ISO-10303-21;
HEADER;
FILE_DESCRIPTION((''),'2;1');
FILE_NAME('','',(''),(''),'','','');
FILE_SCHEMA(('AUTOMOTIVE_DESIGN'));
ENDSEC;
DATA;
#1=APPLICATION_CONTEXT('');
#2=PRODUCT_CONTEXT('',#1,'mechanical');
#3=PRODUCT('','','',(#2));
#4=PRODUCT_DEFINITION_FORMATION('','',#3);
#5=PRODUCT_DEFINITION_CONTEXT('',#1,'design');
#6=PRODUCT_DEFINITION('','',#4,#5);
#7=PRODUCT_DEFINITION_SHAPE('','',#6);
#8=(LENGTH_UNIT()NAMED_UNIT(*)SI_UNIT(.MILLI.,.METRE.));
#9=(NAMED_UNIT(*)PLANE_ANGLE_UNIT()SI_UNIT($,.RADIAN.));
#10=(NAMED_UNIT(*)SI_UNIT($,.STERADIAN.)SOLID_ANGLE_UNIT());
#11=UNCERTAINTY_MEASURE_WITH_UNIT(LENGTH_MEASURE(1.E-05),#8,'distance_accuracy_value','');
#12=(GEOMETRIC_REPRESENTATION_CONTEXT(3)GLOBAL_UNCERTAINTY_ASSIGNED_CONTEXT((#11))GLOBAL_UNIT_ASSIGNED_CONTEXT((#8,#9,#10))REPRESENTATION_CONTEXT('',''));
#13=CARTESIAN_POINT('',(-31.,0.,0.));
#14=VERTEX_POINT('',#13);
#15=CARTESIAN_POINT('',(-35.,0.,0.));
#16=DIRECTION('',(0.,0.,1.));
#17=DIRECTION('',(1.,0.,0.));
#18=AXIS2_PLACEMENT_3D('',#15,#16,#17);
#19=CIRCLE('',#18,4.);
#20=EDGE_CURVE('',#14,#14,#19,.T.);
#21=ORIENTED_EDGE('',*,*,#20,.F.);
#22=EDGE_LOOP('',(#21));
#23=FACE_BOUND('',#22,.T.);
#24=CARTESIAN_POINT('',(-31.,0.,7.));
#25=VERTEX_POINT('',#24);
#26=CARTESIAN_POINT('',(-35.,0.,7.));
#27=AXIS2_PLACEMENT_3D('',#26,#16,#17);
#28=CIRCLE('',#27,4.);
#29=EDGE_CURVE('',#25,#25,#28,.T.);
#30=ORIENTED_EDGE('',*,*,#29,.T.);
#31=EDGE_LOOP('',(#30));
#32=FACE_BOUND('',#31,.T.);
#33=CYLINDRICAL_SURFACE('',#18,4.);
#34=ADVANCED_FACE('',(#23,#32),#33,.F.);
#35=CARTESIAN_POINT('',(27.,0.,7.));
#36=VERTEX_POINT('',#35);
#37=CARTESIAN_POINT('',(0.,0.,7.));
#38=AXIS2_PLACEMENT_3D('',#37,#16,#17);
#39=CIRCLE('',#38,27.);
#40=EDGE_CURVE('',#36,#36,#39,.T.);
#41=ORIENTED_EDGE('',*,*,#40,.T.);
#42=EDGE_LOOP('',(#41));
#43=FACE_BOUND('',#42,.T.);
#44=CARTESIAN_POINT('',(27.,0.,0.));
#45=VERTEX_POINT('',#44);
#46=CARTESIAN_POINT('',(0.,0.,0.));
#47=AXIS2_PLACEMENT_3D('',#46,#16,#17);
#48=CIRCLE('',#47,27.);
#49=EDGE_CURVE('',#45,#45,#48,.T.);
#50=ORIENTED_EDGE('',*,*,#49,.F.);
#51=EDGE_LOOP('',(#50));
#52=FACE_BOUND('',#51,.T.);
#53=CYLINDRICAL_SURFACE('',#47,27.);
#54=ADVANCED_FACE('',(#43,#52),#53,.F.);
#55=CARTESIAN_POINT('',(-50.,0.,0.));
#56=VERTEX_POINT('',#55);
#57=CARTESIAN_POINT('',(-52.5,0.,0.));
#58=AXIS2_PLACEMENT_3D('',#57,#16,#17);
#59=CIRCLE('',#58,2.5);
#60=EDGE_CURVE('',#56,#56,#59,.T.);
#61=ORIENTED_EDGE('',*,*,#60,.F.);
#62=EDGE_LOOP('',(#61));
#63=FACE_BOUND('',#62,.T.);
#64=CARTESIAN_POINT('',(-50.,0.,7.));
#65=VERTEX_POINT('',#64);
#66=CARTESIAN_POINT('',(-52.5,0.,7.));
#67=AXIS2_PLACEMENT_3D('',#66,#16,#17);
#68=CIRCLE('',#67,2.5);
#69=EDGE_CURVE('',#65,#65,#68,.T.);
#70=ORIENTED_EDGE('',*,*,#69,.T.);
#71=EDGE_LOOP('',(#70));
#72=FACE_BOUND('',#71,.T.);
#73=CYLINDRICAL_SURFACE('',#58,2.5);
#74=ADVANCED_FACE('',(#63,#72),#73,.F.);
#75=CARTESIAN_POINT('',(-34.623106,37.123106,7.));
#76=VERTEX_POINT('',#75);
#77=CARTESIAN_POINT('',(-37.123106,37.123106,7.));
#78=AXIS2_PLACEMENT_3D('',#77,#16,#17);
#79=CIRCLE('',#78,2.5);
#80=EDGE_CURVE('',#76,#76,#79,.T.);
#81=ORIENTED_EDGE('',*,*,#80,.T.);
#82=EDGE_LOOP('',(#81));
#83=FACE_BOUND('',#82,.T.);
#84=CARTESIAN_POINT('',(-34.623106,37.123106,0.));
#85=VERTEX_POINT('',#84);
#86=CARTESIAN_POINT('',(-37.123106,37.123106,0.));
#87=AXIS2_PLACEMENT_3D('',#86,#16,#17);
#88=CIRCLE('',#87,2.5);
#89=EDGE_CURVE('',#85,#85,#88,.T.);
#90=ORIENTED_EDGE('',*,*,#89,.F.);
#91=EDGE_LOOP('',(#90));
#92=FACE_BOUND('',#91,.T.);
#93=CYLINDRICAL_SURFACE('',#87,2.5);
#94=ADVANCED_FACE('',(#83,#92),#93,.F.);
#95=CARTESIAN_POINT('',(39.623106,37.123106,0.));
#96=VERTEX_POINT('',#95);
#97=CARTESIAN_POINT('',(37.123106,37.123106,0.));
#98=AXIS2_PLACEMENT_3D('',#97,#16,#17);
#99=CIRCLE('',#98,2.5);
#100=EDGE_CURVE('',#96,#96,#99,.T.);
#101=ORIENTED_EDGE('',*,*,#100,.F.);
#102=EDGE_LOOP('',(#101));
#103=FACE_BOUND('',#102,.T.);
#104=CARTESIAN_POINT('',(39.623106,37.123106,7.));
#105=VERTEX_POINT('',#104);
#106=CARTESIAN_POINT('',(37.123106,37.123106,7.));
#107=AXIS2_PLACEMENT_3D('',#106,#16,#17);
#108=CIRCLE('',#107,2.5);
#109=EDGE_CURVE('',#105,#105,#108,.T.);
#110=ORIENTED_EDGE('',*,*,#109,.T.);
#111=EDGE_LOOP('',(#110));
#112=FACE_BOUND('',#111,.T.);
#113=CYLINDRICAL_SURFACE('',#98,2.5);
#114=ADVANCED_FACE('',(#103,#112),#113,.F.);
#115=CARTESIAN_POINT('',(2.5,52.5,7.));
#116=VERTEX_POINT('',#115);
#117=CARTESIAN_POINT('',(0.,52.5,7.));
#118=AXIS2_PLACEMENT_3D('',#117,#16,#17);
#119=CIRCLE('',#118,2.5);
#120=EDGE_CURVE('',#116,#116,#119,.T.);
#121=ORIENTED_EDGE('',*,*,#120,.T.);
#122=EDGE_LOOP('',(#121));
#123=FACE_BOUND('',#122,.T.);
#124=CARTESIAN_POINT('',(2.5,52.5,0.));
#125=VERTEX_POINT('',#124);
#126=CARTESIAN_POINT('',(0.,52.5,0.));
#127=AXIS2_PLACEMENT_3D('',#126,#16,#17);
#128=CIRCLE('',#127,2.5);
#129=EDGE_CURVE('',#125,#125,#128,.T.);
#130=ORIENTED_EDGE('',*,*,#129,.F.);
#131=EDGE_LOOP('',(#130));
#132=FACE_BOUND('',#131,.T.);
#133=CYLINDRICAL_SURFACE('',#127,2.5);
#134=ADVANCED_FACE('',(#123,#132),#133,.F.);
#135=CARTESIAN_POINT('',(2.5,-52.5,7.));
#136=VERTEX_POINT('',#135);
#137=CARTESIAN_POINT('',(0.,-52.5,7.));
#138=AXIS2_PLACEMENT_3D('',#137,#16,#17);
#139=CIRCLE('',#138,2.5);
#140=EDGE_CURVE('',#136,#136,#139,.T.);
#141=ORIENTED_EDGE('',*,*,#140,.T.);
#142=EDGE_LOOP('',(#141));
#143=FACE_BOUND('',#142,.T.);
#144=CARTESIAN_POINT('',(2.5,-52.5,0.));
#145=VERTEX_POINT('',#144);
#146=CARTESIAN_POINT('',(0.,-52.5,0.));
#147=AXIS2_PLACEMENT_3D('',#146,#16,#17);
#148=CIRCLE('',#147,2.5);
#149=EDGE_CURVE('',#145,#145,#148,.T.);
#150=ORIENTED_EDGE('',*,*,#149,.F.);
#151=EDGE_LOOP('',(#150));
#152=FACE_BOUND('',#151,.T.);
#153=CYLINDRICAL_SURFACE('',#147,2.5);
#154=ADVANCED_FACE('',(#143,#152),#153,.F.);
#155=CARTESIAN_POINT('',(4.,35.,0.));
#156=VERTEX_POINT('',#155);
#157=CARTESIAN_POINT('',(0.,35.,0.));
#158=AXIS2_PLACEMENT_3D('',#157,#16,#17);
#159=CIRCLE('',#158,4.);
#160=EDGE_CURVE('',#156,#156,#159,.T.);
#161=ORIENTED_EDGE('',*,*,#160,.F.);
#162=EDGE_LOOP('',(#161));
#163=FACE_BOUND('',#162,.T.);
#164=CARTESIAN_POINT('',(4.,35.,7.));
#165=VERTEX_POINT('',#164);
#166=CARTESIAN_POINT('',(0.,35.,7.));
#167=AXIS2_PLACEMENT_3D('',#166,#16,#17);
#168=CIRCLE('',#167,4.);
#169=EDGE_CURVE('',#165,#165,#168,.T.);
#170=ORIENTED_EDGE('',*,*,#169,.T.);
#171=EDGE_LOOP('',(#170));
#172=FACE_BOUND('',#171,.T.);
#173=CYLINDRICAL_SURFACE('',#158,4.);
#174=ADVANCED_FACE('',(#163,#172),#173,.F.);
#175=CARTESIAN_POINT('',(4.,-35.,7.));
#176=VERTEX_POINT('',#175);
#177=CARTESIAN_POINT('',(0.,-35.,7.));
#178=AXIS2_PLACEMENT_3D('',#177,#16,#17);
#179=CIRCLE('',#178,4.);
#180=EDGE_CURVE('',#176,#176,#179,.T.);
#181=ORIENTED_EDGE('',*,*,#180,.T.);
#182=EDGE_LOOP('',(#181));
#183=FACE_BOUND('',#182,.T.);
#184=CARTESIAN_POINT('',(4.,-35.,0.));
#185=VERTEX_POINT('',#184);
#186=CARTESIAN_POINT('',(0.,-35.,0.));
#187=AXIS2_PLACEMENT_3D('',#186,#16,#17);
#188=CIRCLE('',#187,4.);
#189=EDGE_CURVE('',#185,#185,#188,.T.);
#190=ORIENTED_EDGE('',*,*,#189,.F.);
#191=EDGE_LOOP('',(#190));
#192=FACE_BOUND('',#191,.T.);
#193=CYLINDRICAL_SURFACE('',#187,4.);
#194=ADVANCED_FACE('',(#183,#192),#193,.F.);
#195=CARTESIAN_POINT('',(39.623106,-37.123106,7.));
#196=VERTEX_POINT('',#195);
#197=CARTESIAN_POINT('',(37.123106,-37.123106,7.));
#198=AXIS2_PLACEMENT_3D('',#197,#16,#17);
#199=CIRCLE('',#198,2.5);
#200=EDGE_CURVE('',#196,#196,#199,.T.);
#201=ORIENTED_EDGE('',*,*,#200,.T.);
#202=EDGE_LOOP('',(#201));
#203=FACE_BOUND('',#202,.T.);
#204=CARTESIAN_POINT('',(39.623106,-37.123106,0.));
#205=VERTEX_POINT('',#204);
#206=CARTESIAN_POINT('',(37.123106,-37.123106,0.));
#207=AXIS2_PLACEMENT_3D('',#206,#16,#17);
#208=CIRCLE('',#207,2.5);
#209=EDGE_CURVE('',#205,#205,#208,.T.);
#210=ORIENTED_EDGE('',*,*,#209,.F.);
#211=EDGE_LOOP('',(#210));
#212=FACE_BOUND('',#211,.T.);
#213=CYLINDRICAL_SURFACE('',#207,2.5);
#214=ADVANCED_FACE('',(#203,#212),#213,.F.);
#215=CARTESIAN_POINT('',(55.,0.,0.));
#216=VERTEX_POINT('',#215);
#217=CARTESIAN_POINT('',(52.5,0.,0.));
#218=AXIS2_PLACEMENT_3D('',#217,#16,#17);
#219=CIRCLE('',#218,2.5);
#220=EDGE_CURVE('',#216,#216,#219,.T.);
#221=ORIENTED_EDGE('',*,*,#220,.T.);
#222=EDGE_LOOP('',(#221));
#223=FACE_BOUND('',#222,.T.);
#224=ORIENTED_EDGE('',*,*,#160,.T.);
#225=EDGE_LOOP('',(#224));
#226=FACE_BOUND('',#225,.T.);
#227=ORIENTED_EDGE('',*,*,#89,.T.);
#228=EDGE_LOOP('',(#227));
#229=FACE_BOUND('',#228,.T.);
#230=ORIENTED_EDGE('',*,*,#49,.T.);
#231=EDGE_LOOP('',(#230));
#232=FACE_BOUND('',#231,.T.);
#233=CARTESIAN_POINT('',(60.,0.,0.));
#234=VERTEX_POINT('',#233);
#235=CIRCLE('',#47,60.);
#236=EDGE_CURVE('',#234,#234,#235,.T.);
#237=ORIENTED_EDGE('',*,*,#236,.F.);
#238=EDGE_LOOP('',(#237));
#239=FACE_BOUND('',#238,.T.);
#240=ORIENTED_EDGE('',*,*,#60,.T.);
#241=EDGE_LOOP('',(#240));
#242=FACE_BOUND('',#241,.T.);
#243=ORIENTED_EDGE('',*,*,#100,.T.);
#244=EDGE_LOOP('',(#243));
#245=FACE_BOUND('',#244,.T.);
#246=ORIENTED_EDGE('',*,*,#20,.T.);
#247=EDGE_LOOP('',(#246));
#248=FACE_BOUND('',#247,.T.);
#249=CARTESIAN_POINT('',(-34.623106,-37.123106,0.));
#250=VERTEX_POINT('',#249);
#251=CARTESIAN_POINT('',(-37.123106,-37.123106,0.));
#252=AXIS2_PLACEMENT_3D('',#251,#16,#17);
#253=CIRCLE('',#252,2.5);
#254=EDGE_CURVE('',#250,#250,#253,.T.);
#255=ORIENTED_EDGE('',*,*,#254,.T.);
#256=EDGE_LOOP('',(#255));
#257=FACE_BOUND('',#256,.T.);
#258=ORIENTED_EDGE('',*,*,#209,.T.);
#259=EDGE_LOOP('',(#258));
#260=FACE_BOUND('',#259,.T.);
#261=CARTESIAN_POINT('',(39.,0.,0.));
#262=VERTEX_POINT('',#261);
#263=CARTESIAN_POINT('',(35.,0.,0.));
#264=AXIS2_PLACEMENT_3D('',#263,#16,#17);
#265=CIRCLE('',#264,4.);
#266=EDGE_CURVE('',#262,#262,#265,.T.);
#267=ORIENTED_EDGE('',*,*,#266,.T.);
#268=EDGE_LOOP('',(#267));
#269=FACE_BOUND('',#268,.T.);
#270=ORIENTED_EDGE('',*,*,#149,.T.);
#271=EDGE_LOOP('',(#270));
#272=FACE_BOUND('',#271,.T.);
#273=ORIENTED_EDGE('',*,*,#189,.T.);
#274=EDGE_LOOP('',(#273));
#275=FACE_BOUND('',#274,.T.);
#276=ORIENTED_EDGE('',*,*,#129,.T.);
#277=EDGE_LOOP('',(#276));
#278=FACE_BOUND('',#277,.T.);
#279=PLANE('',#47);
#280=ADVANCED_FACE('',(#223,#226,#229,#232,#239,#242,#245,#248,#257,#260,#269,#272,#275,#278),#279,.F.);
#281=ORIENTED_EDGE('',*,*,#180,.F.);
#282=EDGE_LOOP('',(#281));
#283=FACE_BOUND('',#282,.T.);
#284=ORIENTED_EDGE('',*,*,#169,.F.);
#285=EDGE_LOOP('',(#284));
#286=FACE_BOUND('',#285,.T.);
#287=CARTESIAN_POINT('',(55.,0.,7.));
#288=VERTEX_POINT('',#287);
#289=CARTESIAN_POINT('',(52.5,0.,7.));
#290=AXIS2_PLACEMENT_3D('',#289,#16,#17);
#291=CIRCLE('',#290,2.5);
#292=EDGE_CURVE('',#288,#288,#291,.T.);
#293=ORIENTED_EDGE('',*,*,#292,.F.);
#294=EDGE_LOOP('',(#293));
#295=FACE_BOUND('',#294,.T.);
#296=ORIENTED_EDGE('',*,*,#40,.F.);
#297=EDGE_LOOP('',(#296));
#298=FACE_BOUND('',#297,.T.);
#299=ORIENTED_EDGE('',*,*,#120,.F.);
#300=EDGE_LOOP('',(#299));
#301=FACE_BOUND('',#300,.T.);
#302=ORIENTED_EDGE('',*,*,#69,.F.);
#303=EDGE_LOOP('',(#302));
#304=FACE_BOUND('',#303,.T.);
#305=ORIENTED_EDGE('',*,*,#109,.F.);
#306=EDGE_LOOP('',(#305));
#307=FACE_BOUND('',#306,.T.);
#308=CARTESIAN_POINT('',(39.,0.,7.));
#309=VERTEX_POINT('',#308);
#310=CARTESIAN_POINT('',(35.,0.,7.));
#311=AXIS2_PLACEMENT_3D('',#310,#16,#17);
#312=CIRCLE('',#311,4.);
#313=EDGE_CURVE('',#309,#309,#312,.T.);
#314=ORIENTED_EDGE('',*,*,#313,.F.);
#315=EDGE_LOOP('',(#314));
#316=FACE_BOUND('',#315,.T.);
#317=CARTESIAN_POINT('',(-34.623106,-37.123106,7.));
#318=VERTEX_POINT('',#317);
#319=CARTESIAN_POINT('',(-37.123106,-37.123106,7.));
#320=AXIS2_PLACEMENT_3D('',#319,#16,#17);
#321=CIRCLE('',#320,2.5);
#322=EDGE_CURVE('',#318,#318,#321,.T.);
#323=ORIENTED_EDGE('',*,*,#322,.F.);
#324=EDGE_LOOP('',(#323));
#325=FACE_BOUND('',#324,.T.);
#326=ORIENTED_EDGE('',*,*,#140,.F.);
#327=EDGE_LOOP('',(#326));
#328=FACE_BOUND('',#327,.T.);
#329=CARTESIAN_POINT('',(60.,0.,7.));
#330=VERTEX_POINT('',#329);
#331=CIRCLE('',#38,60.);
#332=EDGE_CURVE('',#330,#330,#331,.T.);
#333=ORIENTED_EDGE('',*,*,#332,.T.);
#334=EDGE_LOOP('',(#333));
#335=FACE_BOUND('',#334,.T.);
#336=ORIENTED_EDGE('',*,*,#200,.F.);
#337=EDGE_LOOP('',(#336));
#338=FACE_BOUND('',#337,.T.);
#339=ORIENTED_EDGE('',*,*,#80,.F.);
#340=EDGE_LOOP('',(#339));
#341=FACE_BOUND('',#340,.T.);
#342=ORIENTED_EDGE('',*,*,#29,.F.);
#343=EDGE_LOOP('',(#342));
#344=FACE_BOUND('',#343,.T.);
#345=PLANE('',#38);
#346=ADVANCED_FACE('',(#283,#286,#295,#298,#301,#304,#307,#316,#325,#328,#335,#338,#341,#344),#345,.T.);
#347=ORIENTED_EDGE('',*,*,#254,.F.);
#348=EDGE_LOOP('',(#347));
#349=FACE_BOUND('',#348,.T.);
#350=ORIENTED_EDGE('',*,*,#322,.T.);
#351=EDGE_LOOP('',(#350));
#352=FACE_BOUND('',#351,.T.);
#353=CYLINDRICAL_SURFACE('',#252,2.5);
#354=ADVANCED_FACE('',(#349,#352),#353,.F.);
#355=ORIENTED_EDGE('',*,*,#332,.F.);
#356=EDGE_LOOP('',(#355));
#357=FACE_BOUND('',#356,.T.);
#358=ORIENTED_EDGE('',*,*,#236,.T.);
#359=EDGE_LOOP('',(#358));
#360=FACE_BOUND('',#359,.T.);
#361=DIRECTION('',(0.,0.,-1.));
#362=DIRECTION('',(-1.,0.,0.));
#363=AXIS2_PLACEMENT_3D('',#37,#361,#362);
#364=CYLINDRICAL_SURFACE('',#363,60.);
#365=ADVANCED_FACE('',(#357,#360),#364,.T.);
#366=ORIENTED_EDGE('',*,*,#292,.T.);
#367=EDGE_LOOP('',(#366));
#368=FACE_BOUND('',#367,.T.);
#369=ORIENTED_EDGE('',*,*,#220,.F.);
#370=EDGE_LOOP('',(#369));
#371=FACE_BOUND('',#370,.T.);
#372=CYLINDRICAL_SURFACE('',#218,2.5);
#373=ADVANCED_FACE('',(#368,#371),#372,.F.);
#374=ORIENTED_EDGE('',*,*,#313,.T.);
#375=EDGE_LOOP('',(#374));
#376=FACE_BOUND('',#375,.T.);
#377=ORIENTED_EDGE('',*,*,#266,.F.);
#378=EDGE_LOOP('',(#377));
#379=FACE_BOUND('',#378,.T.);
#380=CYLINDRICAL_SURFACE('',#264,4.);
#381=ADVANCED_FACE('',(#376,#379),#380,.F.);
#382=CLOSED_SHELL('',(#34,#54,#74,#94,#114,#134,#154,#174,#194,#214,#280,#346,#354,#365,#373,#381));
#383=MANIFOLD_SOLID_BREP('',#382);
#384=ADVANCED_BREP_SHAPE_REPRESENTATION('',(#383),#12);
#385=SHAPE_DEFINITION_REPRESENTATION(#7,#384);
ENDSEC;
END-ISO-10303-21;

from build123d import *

# Parameters (mm, degrees)
CROQUIS1_R              = 60
SALIENTE_EXTRUIR1_DEPTH = 7
CROQUIS2_R              = 27
CORTAR_EXTRUIR1_DEPTH   = 8
CROQUIS3_R              = 4
CORTAR_EXTRUIR2_DEPTH   = 8
CROQUIS5_R              = 2.5
CORTAR_EXTRUIR3_DEPTH   = 8


with BuildPart() as part:
    # Croquis1 → Saliente-Extruir1 (new body)
    with BuildSketch(Plane.XY):
        Circle(CROQUIS1_R)
    extrude(amount=SALIENTE_EXTRUIR1_DEPTH)

    # Croquis2 → Cortar-Extruir1 (cut, through all)
    with BuildSketch(Plane.XY.offset(7)):
        Circle(CROQUIS2_R)
    extrude(amount=-CORTAR_EXTRUIR1_DEPTH, mode=Mode.SUBTRACT)

    # Croquis3 → Cortar-Extruir2 (cut, through all)
    with BuildSketch(Plane.XY.offset(7)):
        with Locations((0, 35)):
            Circle(CROQUIS3_R)
        with Locations((35, 0)):
            Circle(CROQUIS3_R)
        with Locations((0, -35)):
            Circle(CROQUIS3_R)
        with Locations((-35, 0)):
            Circle(CROQUIS3_R)
    extrude(amount=-CORTAR_EXTRUIR2_DEPTH, mode=Mode.SUBTRACT)

    # Croquis5 → Cortar-Extruir3 (cut, through all)
    with BuildSketch(Plane.XY.offset(7)):
        with Locations((37.123106012, 37.123106012)):
            Circle(CROQUIS5_R)
        with Locations((52.5, 0)):
            Circle(CROQUIS5_R)
        with Locations((37.123106012, -37.123106012)):
            Circle(CROQUIS5_R)
        with Locations((-52.5, 0)):
            Circle(CROQUIS5_R)
        with Locations((-37.123106012, 37.123106012)):
            Circle(CROQUIS5_R)
        with Locations((0, 52.5)):
            Circle(CROQUIS5_R)
        with Locations((0, -52.5)):
            Circle(CROQUIS5_R)
        with Locations((-37.123106012, -37.123106012)):
            Circle(CROQUIS5_R)
    extrude(amount=-CORTAR_EXTRUIR3_DEPTH, mode=Mode.SUBTRACT)


solid = part.part
